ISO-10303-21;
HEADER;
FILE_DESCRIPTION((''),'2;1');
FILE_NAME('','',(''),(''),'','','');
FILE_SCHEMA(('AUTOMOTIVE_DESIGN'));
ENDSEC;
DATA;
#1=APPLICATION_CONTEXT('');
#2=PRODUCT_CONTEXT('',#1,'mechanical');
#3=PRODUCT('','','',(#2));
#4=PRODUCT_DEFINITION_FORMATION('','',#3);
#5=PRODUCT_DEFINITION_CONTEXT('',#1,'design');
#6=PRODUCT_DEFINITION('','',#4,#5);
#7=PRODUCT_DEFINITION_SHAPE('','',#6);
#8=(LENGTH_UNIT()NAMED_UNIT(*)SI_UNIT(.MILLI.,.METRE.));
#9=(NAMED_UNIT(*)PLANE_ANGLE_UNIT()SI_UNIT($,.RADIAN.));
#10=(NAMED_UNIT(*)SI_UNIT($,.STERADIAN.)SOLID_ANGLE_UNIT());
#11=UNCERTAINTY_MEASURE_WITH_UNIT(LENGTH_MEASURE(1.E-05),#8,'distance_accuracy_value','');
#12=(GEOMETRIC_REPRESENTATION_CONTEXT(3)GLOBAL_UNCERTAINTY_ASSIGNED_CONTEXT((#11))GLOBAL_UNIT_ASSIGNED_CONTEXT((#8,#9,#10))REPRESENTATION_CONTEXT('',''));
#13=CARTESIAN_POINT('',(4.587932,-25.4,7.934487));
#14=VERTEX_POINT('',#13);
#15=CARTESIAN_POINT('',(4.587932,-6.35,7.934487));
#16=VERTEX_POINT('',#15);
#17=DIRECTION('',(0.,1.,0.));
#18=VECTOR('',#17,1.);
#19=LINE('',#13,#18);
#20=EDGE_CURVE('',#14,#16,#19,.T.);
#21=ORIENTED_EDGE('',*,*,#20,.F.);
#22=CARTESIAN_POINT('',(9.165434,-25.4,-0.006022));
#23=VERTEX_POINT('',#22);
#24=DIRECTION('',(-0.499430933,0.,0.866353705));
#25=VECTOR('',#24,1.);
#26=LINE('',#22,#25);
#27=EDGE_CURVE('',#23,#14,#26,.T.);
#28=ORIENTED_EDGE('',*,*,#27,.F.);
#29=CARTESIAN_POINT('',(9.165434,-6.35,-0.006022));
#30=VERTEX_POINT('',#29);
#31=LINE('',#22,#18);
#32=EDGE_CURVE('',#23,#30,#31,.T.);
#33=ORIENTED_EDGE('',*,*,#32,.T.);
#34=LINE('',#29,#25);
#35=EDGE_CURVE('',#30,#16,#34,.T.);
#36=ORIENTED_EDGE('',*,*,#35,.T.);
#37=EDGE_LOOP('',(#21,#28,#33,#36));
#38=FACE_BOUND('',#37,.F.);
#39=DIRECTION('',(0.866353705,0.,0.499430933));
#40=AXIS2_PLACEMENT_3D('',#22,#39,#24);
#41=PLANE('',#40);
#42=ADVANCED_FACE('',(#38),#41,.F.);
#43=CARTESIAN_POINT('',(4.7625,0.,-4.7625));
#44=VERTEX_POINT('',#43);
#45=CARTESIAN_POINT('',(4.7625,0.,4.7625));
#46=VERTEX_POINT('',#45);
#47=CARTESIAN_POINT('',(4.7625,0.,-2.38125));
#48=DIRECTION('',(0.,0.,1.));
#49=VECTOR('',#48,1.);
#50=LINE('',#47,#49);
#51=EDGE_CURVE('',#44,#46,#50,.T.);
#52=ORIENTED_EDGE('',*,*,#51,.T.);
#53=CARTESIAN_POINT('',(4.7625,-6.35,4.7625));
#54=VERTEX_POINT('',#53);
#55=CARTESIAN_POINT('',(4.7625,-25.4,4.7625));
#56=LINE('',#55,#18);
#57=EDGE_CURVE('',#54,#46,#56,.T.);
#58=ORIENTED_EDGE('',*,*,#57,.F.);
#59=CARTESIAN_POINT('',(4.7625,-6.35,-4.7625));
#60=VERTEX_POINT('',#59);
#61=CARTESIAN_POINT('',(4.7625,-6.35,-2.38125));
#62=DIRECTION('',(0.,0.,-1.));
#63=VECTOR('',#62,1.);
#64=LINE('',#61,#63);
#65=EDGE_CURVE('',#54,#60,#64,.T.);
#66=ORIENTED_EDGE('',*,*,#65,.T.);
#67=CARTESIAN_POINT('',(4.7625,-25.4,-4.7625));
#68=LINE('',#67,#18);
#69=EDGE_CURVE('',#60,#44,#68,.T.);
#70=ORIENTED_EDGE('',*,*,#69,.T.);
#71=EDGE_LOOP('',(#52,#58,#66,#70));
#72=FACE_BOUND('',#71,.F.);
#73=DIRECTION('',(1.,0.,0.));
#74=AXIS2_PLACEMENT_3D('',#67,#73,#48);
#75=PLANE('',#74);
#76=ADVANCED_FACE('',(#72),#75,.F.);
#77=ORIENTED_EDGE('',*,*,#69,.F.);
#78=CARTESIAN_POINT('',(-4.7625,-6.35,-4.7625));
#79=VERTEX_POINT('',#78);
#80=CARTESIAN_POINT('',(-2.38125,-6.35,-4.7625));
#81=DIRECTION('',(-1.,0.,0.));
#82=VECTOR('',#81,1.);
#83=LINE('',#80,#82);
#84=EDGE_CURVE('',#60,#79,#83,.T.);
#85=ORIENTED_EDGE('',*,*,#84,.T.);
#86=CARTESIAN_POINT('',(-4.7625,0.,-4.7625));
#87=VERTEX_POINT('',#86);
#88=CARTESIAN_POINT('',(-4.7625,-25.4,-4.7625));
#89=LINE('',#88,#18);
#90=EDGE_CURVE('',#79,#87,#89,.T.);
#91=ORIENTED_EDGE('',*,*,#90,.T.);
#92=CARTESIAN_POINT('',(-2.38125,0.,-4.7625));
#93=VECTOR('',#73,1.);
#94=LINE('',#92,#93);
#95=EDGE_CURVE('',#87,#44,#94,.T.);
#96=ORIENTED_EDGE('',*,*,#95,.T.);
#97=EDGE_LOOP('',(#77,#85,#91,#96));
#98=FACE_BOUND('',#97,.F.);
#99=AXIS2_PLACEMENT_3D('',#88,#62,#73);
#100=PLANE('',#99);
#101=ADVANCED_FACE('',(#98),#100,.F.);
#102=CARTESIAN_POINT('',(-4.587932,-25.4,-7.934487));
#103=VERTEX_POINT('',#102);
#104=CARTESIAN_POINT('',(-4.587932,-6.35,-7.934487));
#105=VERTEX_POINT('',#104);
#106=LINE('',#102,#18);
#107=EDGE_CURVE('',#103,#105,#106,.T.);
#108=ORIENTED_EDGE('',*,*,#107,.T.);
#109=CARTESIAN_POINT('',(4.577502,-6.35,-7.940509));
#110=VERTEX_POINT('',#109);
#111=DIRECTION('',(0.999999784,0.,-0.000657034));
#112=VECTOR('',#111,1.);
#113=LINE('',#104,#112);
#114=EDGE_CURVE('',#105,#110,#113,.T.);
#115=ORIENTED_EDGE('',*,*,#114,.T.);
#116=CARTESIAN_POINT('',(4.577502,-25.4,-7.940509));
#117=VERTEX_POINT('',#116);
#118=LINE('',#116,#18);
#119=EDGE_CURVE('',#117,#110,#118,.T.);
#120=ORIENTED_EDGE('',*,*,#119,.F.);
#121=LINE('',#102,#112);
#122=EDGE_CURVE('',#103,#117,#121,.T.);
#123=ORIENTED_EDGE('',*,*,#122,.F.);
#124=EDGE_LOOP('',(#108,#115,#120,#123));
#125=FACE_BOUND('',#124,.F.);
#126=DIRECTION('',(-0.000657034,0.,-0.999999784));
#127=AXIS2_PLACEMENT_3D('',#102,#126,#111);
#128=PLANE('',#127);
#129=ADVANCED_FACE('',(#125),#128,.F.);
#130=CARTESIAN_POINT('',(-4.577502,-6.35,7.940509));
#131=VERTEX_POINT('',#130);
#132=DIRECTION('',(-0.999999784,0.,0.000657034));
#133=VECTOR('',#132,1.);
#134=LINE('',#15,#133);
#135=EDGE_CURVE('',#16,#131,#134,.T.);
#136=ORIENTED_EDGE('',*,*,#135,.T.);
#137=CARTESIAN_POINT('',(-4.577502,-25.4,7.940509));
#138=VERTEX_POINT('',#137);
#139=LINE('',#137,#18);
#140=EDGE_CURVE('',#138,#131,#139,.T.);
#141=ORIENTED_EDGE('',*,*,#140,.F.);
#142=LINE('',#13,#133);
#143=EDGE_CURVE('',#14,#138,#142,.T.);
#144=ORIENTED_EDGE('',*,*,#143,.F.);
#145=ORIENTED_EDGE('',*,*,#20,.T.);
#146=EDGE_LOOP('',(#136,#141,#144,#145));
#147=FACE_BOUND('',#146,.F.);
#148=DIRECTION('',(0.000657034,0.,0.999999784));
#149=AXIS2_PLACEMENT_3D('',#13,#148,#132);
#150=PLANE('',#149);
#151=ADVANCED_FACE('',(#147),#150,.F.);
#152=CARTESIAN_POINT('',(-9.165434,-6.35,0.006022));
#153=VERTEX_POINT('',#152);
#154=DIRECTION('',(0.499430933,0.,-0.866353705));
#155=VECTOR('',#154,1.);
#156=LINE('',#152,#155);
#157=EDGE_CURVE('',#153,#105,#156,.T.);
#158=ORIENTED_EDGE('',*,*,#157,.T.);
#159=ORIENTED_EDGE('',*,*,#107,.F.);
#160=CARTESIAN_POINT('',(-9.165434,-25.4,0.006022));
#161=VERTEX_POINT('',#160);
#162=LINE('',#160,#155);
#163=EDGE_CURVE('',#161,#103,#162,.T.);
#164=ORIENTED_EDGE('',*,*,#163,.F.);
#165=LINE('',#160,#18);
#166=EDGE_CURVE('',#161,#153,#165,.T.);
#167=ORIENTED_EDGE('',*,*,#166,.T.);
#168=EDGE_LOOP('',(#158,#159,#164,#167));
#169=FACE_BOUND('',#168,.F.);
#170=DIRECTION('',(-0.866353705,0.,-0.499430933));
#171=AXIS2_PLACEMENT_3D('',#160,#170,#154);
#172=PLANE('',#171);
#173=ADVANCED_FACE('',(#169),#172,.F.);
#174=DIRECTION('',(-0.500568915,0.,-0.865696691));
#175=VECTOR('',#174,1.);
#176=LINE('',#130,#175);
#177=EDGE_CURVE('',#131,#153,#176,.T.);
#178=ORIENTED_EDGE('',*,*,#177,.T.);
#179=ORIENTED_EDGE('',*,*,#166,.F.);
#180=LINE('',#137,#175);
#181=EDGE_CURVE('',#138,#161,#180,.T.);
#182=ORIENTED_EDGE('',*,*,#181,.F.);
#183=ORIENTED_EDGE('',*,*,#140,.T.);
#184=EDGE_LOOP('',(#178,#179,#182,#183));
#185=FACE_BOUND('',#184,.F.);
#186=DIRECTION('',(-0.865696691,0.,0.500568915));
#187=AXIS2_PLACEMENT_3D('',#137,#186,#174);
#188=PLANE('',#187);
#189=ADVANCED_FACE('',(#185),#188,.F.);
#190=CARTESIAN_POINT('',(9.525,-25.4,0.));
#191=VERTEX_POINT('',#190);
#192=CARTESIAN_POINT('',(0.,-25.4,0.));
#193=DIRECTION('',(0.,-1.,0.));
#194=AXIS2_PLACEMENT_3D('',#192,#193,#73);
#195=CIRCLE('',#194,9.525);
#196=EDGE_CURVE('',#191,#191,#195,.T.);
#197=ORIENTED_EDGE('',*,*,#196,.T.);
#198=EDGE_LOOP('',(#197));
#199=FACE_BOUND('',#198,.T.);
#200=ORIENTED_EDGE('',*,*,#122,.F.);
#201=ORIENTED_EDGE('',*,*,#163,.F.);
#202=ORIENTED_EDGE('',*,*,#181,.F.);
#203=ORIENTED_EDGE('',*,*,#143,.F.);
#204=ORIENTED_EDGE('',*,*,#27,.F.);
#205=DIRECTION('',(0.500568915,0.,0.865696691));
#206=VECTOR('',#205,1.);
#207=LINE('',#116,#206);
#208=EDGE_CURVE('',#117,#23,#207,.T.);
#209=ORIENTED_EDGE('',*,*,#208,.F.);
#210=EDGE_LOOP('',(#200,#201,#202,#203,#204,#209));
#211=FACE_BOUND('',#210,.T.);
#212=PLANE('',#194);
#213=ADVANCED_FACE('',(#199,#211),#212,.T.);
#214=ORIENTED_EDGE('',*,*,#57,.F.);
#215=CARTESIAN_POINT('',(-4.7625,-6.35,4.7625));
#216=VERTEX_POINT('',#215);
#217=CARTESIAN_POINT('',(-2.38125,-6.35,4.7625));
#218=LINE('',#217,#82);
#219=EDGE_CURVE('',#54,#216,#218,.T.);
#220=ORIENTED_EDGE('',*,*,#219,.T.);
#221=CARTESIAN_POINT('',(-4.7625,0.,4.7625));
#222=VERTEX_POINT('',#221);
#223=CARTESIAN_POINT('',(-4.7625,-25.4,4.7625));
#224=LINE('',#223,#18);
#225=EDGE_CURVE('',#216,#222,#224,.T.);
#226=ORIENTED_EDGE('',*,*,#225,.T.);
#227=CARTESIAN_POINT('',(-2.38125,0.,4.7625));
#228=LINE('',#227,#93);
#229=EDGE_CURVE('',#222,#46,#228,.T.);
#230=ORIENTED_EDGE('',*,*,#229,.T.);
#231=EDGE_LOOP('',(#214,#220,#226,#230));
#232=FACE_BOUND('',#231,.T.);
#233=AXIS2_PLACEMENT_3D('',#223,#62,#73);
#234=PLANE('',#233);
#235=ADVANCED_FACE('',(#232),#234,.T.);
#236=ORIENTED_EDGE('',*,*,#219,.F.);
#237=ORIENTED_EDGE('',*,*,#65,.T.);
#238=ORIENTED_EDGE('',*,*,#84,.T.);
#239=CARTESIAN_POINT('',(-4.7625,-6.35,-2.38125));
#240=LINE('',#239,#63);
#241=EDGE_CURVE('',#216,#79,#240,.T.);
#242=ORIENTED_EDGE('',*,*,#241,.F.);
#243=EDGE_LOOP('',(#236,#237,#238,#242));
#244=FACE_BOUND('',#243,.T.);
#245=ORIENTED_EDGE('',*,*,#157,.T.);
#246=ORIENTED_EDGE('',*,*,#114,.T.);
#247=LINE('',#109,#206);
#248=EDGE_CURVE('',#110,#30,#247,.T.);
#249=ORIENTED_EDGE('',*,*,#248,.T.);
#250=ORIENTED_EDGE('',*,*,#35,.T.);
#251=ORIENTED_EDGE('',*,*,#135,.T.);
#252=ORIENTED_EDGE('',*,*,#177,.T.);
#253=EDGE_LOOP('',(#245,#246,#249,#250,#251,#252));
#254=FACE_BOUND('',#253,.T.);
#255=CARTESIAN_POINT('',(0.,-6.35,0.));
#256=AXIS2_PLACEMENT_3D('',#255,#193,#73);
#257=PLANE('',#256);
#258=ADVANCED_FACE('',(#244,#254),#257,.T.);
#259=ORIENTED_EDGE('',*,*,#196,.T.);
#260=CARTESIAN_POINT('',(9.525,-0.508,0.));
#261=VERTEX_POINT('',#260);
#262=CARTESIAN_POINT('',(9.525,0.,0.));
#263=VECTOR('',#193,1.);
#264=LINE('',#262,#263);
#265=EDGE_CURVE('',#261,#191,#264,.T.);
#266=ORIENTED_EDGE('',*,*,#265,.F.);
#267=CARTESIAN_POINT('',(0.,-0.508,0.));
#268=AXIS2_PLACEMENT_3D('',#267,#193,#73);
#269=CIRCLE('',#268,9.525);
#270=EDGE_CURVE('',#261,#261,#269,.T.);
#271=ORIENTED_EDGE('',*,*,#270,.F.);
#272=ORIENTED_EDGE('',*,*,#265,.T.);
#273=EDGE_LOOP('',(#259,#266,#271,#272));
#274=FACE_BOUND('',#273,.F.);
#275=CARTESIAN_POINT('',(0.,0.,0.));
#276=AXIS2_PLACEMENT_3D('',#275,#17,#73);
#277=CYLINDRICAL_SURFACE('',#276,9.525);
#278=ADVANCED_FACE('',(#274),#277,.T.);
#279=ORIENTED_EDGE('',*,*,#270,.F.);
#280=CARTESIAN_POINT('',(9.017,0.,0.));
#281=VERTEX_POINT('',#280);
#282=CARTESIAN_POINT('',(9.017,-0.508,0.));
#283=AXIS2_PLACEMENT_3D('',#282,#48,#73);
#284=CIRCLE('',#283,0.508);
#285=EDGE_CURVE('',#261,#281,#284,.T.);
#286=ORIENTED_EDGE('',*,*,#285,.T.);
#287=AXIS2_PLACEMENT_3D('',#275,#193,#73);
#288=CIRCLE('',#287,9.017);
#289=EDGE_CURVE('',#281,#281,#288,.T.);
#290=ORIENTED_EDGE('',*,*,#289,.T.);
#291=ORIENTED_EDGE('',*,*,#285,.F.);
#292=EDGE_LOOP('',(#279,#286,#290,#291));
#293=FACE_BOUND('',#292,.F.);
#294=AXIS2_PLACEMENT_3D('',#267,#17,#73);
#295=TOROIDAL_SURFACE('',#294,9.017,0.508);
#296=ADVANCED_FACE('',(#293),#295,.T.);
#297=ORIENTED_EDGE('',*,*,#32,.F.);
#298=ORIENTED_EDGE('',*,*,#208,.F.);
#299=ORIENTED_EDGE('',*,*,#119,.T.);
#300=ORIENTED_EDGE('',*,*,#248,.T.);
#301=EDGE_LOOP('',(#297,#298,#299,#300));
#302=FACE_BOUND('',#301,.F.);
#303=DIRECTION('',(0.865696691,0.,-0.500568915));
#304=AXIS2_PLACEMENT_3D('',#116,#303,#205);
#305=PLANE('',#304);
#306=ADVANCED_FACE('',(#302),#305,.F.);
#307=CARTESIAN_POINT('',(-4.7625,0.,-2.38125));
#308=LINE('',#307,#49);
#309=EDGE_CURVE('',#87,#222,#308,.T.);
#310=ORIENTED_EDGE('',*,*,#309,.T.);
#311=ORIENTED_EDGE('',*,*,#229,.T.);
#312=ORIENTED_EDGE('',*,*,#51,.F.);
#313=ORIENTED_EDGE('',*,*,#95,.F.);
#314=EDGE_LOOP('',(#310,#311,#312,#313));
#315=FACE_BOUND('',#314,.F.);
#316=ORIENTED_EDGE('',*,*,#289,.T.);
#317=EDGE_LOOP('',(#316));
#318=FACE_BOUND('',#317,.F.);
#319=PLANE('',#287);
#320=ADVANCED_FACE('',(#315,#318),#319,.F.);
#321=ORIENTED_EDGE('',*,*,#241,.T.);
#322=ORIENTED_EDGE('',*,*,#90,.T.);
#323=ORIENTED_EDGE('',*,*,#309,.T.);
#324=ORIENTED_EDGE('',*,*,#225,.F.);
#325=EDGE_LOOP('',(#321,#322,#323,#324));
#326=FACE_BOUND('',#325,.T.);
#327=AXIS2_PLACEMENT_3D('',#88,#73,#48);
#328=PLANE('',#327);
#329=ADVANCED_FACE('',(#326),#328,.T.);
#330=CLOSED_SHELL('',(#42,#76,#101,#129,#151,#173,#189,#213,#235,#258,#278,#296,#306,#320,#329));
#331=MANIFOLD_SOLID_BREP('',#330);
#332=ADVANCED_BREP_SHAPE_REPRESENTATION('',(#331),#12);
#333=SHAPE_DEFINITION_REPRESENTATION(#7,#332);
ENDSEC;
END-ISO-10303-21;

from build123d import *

# Parameters (mm, degrees)
F0_R     = 9.525
F1_DEPTH = 25.4
F2_W     = 9.525
F2_H     = 9.525
F3_DEPTH = 25.401
F5_DEPTH = 19.05
F6_R     = 0.508


with BuildPart() as f1:
    # F0 (on Front) → F1 (new body)
    with BuildSketch(Plane.XZ):
        Circle(F0_R)
    extrude(amount=F1_DEPTH)

    # F2 (on face) → F3 (cut, through all)
    with BuildSketch(Plane.XZ.offset(25.4)):
        Rectangle(F2_W, F2_H)
    extrude(amount=-F3_DEPTH, mode=Mode.SUBTRACT)

    # F4 (on face) → F5 (cut)
    with BuildSketch(Plane.XZ.offset(25.4)):
        Polygon((4.577502, -7.940509), (9.165434, -0.006022), (4.587932, 7.934487), (-4.577502, 7.940509), (-9.165434, 0.006022), (-4.587932, -7.934487), align=None)
    extrude(amount=-F5_DEPTH, mode=Mode.SUBTRACT)

    # F6
    f6_edges = [f1.edges().sort_by_distance(p)[0] for p in [
        (-9.525, 0, 0),
    ]]
    fillet(f6_edges, radius=F6_R)


solid = f1.part
